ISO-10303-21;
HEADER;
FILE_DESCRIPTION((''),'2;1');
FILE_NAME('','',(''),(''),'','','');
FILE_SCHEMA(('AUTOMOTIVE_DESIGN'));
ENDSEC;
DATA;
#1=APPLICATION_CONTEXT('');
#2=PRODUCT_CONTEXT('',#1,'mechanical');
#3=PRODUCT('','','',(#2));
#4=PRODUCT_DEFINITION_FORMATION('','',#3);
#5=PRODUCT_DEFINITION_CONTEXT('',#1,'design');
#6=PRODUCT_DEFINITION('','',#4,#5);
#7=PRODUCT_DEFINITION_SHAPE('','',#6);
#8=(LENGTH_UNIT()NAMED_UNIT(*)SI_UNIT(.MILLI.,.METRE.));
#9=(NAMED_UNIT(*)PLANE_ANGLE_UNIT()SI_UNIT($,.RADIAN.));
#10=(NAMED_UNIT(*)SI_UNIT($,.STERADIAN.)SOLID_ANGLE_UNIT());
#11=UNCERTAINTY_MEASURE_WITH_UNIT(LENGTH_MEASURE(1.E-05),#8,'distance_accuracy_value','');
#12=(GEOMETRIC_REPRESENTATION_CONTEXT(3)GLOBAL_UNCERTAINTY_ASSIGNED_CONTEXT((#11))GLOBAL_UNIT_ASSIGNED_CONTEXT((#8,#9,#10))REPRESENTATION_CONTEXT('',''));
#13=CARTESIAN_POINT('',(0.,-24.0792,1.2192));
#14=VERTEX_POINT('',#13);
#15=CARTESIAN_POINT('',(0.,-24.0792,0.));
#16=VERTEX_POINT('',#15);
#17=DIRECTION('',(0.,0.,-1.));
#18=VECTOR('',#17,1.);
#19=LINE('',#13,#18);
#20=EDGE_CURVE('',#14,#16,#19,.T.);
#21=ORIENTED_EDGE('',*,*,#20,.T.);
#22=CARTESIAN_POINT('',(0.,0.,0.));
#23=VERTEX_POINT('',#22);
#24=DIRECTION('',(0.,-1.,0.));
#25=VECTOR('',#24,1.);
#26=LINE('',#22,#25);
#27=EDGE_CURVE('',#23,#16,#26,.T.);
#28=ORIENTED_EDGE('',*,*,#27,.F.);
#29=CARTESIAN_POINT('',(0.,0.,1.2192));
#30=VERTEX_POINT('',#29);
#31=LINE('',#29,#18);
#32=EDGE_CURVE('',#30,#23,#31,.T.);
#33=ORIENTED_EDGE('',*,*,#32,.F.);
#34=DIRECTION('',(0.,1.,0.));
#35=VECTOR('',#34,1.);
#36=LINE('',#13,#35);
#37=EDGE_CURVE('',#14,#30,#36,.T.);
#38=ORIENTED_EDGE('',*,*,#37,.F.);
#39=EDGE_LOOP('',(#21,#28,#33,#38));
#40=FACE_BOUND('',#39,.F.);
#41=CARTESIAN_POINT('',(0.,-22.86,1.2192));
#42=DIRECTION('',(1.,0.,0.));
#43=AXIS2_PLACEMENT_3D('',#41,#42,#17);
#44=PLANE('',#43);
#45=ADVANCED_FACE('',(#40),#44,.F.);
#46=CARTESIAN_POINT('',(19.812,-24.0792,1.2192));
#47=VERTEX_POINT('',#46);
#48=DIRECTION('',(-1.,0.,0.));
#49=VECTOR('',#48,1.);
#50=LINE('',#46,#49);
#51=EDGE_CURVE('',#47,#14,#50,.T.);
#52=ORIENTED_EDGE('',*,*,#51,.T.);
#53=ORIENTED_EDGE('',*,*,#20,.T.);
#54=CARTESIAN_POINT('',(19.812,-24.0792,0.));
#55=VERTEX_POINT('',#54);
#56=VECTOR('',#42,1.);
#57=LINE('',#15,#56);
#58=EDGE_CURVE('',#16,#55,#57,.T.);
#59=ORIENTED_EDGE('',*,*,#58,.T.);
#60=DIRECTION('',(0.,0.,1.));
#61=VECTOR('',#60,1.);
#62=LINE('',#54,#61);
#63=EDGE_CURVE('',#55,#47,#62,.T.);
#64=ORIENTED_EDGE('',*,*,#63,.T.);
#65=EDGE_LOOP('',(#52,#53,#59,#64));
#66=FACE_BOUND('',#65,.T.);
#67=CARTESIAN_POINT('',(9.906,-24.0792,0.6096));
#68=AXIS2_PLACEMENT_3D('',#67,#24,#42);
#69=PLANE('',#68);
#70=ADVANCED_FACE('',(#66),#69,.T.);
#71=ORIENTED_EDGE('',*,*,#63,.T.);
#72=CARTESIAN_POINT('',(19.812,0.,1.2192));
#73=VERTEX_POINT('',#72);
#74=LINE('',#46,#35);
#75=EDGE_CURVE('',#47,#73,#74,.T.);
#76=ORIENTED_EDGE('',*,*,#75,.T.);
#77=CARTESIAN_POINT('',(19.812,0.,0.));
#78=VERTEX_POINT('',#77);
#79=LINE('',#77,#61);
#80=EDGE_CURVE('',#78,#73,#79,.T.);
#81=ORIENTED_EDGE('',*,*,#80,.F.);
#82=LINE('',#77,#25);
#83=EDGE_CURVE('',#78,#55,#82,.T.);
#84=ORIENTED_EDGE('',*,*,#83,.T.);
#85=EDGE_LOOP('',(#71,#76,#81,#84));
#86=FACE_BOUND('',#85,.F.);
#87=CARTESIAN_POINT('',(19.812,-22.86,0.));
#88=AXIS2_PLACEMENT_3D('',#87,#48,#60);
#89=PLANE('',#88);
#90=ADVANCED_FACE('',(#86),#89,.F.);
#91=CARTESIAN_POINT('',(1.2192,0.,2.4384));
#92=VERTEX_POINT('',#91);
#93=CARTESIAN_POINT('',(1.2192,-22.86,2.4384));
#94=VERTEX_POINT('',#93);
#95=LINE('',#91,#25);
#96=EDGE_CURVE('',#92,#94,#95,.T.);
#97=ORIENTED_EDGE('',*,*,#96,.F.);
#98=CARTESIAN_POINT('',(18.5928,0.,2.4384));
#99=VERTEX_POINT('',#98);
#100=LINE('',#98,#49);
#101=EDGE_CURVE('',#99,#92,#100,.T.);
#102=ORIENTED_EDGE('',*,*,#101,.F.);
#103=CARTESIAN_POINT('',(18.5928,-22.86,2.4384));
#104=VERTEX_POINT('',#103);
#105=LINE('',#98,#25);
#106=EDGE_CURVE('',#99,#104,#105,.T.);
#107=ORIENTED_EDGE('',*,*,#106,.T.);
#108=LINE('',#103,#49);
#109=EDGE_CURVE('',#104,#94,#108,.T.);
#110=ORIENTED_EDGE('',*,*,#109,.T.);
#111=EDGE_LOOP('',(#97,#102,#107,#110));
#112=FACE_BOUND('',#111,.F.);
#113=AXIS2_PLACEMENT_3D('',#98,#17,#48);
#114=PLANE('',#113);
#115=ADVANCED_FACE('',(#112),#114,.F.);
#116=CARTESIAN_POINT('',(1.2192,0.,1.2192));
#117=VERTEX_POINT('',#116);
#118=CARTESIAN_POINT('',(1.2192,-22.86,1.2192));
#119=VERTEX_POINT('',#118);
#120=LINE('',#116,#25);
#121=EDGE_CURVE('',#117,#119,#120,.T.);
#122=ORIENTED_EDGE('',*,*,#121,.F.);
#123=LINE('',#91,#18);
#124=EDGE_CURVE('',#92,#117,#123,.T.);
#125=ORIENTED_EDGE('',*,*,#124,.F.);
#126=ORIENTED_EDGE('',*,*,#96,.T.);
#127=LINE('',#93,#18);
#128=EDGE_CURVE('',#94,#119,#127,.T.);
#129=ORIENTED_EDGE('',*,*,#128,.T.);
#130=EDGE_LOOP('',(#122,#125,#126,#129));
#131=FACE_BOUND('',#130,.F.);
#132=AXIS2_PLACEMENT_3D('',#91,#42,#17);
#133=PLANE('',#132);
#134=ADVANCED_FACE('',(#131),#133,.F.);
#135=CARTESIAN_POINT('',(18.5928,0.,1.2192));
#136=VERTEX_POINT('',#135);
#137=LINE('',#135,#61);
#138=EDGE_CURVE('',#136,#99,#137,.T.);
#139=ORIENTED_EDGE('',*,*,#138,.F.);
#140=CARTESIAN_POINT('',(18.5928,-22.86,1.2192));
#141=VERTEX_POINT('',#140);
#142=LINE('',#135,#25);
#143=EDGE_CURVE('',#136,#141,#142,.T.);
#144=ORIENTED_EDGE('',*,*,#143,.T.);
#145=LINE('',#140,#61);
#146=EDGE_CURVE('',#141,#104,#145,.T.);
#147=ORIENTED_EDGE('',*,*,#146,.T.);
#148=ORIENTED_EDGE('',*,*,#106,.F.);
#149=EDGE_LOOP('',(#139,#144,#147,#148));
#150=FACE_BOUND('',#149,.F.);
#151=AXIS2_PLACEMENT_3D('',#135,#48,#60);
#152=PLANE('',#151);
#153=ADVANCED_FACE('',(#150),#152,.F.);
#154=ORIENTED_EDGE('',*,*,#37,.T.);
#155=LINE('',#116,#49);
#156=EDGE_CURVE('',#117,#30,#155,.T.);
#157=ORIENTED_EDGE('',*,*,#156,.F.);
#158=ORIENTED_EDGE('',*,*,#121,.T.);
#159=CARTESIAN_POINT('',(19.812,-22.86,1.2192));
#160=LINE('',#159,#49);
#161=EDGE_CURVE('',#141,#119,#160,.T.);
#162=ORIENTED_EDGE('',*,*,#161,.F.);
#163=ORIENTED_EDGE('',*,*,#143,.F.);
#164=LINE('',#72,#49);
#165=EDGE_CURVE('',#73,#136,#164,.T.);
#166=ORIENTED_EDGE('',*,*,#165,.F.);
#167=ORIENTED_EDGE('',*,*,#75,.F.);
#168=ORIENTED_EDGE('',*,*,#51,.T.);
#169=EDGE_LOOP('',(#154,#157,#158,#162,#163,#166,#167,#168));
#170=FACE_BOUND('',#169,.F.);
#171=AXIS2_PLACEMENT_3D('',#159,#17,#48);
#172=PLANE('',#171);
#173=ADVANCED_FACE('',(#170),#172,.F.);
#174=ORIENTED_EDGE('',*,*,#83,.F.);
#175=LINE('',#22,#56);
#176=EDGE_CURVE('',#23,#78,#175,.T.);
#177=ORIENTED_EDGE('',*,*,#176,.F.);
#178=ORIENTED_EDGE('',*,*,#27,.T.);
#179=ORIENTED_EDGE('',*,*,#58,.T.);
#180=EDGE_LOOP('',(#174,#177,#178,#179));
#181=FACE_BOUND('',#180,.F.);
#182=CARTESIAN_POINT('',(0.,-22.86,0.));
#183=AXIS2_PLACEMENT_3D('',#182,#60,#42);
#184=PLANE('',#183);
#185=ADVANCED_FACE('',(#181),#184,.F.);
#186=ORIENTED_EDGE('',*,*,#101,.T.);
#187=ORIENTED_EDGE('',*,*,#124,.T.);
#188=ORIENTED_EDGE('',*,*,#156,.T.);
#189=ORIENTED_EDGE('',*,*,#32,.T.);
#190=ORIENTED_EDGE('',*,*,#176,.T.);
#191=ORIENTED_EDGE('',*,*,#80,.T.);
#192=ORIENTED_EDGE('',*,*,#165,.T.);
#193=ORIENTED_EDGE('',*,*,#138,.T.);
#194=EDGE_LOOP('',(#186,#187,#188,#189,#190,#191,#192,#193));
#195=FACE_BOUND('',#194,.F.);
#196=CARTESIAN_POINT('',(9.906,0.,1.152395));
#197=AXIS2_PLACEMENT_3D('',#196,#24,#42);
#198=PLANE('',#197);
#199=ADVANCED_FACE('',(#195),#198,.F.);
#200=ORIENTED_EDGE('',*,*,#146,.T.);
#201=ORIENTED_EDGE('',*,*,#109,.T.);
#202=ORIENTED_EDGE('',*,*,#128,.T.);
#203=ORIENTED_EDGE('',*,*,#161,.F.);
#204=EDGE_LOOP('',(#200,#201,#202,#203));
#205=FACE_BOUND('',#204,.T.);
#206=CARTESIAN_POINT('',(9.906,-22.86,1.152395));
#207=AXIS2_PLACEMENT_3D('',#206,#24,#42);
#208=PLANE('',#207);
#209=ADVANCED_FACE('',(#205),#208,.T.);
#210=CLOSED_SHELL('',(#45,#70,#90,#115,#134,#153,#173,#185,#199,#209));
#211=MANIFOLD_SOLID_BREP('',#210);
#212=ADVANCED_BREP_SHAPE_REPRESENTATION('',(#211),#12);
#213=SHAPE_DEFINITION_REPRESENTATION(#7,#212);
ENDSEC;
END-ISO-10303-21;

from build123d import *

# Parameters (mm, degrees)
F1_DEPTH = 22.86
F3_DEPTH = 1.2192


with BuildPart() as f1:
    # F0 (on Front) → F1 (new body)
    with BuildSketch(Plane.XZ):
        Polygon((0, 1.2192), (0, 0), (19.812, 0), (19.812, 1.2192), (18.5928, 1.2192), (18.5928, 2.4384), (1.2192, 2.4384), (1.2192, 1.2192), align=None)
    extrude(amount=F1_DEPTH)

    # F2 (on face) → F3 (join)
    with BuildSketch(Plane.XZ.offset(22.86)):
        Polygon((0, 1.2192), (0, 0), (19.812, 0), (19.812, 1.2192), (18.5928, 1.2192), (1.2192, 1.2192), align=None)
    extrude(amount=F3_DEPTH)


solid = f1.part
